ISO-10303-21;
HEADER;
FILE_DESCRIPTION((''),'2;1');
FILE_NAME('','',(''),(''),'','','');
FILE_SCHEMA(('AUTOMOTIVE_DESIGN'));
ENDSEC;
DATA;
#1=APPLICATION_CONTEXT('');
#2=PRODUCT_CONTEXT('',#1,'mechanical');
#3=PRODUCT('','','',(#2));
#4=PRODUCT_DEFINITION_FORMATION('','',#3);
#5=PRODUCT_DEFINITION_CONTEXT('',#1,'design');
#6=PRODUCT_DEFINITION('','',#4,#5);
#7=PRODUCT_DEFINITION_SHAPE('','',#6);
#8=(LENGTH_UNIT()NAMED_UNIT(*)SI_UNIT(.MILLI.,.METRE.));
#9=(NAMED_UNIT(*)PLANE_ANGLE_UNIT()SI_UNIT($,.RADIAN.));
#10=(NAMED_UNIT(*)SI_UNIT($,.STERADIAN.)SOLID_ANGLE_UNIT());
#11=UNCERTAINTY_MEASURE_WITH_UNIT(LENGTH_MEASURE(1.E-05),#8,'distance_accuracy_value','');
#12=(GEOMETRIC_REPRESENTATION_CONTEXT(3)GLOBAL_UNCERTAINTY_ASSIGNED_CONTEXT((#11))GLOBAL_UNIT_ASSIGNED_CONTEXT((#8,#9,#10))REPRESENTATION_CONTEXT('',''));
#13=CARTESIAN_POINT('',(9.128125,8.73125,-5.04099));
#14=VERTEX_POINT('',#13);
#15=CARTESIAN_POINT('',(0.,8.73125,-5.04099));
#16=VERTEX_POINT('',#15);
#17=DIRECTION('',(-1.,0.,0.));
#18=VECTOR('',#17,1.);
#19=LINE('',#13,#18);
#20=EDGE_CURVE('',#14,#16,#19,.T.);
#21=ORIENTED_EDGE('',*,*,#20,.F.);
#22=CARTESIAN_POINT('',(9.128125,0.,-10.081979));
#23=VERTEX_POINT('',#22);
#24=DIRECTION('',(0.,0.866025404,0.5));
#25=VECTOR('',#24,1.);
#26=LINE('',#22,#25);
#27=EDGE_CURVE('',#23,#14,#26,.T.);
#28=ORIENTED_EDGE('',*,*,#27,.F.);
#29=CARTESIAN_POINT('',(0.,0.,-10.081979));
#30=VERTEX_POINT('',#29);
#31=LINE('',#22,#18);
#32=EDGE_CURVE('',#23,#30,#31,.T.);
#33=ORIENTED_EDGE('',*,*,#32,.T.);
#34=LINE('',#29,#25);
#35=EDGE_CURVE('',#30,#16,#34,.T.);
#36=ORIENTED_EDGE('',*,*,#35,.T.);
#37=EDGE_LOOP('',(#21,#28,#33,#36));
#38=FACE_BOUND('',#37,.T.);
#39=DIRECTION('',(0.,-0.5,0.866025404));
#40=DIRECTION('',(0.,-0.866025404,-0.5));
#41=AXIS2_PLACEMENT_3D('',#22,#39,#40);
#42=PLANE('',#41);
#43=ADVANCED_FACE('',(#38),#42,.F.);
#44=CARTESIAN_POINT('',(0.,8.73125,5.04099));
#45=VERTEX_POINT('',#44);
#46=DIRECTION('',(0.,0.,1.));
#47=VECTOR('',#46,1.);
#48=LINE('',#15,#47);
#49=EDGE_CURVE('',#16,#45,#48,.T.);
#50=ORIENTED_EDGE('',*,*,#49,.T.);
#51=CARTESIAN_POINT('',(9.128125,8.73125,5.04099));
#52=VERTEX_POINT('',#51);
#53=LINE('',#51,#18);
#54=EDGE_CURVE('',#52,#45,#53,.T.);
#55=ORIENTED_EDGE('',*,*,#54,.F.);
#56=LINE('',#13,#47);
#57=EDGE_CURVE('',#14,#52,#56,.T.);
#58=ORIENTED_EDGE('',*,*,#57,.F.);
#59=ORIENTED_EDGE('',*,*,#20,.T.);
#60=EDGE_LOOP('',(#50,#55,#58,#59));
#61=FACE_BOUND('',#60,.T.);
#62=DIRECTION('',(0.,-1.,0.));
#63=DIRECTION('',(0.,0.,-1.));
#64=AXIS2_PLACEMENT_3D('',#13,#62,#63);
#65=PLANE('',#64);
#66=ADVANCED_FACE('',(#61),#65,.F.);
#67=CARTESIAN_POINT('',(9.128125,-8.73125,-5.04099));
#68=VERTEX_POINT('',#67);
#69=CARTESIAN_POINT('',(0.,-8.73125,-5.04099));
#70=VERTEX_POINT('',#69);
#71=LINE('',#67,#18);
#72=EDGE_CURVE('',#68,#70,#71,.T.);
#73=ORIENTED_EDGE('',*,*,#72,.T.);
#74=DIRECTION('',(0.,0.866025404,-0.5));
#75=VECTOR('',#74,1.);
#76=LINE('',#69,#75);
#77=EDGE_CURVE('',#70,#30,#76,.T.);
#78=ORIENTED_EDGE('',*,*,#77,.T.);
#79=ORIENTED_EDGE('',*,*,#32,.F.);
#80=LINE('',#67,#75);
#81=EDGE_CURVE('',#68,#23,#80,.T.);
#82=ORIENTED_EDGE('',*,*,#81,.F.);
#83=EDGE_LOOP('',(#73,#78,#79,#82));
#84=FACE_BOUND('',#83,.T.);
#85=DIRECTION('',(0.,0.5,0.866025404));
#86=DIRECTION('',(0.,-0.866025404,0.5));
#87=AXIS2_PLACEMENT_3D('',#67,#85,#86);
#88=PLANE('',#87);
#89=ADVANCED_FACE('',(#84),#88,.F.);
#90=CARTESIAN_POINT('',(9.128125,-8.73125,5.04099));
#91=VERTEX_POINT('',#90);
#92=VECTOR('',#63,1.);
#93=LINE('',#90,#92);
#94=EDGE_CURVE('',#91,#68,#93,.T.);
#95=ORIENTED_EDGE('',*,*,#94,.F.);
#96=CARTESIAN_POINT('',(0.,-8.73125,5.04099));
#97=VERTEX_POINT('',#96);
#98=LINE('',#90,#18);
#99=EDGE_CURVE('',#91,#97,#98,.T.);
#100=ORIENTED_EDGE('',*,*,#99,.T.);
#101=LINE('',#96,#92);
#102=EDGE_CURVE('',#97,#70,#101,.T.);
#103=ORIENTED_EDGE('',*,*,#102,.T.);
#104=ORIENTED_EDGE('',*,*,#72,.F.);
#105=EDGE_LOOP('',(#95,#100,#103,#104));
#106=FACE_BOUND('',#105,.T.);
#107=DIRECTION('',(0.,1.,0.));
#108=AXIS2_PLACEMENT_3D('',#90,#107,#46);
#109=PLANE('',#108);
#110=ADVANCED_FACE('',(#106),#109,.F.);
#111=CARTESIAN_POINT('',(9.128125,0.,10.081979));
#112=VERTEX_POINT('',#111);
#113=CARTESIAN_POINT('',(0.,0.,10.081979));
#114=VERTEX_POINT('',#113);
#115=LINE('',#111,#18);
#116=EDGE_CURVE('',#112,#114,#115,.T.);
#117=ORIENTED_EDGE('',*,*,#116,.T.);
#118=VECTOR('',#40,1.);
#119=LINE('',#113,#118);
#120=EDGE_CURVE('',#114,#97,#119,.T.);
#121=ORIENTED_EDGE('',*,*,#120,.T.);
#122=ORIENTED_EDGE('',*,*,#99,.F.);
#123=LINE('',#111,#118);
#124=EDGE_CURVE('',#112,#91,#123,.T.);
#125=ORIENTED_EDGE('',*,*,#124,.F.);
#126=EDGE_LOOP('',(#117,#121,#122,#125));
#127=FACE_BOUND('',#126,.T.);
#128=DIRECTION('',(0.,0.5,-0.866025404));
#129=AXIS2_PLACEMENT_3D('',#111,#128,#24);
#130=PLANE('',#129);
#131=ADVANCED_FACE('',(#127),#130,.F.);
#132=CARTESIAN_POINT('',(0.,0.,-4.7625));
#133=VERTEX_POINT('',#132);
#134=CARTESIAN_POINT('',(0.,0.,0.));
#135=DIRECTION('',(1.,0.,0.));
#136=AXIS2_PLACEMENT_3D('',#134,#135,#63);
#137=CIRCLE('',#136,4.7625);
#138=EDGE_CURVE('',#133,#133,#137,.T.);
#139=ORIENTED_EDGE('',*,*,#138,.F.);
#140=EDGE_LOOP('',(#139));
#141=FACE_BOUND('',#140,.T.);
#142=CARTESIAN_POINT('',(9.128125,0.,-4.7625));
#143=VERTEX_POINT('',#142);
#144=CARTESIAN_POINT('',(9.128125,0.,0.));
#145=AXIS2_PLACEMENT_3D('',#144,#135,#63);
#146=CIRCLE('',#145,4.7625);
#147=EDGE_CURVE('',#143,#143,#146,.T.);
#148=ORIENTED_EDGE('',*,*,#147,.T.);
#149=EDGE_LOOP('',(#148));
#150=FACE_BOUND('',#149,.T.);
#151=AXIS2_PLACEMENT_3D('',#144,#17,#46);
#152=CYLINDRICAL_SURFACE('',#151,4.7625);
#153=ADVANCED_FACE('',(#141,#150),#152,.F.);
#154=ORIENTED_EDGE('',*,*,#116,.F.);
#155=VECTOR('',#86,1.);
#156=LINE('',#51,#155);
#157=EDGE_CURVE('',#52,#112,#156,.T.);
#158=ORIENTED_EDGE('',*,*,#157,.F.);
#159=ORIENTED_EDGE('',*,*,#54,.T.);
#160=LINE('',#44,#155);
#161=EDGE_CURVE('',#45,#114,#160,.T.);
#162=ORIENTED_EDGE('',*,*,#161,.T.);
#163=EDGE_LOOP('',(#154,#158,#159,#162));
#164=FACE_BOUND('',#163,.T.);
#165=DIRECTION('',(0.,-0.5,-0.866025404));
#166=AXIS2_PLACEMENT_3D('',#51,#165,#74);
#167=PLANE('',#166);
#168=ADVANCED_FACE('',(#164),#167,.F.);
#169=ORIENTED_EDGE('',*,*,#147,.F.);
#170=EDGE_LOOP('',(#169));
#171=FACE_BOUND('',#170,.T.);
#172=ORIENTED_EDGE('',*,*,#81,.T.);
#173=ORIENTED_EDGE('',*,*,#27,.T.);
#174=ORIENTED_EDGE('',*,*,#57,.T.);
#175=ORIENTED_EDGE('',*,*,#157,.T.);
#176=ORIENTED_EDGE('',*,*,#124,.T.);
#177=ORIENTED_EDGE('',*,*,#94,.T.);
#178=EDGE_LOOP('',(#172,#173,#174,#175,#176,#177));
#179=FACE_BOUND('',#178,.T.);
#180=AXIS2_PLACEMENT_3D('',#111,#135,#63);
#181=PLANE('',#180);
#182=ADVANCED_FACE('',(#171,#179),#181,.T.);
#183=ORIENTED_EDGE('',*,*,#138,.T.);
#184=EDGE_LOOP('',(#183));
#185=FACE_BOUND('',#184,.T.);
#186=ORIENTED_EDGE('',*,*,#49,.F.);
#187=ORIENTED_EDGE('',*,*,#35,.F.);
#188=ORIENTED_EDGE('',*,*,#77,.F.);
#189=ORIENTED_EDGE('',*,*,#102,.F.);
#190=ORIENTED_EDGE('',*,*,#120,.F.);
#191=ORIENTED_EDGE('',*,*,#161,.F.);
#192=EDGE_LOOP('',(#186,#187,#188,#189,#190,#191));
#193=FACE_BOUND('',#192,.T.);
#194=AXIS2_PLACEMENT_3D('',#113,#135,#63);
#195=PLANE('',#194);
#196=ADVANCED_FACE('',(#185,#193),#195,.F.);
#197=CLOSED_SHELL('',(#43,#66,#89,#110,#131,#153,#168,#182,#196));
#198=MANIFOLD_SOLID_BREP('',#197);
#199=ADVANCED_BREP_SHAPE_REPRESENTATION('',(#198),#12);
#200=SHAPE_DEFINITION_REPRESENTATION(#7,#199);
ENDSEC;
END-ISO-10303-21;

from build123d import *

# Parameters (mm, degrees)
SKETCH1_R           = 4.7625
BOSS_EXTRUDE1_DEPTH = 9.128125


with BuildPart() as part:
    # Sketch1 → Boss-Extrude1 (new body)
    with BuildSketch(Plane(origin=(0, 0, 0), x_dir=(0, 0, -1), z_dir=(1, 0, 0))):
        Polygon((-10.081979076, 0), (-5.040989538, -8.73125), (5.040989538, -8.73125), (10.081979076, 0), (5.040989538, 8.73125), (-5.040989538, 8.73125), align=None)
        Circle(SKETCH1_R, mode=Mode.SUBTRACT)
    extrude(amount=BOSS_EXTRUDE1_DEPTH)


solid = part.part
